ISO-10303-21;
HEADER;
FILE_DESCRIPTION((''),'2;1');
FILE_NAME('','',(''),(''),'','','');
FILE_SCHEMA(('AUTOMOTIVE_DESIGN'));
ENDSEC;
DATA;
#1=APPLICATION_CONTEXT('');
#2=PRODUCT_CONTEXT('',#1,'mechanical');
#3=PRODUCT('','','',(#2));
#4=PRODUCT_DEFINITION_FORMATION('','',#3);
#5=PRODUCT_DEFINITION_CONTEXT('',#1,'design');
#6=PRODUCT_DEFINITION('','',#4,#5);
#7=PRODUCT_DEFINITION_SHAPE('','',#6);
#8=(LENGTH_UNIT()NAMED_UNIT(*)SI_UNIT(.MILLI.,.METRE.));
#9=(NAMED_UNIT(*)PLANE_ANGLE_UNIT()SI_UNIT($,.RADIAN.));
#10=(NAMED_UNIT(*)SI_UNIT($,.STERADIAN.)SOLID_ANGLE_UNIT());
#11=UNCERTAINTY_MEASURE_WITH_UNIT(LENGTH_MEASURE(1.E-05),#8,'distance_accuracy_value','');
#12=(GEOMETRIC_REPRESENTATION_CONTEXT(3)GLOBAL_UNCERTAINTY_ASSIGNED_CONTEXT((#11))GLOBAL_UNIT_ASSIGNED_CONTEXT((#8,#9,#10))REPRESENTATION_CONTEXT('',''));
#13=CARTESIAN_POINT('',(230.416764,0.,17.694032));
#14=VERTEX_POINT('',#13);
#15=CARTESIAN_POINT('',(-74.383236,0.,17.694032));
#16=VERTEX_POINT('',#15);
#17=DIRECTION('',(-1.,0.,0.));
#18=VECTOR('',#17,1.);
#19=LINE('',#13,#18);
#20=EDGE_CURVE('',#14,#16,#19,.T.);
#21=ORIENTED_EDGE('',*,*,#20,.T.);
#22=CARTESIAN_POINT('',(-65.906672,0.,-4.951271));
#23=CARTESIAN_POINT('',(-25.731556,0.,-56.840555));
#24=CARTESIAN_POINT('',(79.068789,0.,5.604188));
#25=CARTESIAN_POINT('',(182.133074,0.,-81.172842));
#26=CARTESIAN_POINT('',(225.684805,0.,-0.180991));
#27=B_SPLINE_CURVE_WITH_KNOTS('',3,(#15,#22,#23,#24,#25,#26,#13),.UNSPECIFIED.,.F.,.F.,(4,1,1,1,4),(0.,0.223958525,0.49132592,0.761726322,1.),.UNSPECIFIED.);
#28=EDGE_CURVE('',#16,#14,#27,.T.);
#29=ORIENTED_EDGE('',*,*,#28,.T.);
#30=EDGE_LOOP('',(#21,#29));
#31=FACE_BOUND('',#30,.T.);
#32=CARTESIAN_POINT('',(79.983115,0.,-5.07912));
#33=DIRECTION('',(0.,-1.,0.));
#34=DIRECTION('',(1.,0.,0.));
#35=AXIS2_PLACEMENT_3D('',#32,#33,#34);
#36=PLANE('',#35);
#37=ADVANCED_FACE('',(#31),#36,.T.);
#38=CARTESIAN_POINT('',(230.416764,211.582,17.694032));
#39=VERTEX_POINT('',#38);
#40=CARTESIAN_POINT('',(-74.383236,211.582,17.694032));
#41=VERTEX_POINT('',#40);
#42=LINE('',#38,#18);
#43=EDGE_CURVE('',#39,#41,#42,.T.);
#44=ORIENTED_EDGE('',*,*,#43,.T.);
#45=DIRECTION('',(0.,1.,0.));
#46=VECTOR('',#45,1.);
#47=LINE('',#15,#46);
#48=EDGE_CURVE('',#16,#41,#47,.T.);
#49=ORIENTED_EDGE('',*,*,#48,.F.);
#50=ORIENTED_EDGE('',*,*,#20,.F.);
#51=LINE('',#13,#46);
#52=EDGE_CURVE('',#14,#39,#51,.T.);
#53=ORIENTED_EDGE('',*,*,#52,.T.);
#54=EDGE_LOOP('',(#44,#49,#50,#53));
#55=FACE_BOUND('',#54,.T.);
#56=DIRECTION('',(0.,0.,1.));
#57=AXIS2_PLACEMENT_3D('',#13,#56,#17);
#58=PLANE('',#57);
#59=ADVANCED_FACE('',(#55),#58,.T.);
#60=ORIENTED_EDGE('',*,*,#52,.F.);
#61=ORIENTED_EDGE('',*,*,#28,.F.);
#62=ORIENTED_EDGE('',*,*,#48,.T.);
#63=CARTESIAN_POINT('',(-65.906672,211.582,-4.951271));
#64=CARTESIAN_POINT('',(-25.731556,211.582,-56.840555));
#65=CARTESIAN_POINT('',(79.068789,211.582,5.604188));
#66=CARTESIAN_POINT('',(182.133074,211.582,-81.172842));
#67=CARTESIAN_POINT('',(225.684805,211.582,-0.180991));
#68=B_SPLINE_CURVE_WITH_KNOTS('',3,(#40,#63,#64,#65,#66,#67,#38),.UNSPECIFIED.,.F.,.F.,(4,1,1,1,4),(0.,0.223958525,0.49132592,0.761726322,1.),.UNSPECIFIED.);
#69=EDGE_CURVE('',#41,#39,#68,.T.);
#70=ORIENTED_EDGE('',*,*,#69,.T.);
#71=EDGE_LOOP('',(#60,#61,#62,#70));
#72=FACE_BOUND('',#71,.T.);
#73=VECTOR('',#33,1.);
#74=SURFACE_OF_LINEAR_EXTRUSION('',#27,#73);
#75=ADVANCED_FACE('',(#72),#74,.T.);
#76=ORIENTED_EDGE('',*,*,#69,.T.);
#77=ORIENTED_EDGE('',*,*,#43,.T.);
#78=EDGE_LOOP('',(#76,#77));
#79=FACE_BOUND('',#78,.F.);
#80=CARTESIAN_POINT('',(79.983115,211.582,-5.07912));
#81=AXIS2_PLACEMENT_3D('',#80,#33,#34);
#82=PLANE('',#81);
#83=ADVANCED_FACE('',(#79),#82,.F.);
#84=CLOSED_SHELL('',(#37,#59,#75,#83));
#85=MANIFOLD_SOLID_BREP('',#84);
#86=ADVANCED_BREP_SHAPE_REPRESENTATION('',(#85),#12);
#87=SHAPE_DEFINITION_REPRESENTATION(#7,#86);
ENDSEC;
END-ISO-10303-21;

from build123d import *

# Parameters (mm, degrees)
F1_DEPTH = 211.582


with BuildPart() as f1:
    # F0 (on Front) → F1 (new body)
    with BuildSketch(Plane.XZ):
        with BuildLine():
            Line((230.4167635576, 17.6940319144), (-74.3832364424, 17.6940319144))
            add(Edge.make_bspline(
                [(-74.3832364424, 17.6940319144), (-65.906672371, -4.9512713014), (-25.7315561327, -56.8405549519), (79.068788621, 5.6041882494), (182.1330735825, -81.1728419013), (225.6848054253, -0.180991258), (230.4167635576, 17.6940319144)],
                knots=[0, 0, 0, 0, 0.2239585254, 0.4913259199, 0.7617263219, 1, 1, 1, 1], degree=3))
        make_face()
    extrude(amount=-F1_DEPTH)


solid = f1.part
